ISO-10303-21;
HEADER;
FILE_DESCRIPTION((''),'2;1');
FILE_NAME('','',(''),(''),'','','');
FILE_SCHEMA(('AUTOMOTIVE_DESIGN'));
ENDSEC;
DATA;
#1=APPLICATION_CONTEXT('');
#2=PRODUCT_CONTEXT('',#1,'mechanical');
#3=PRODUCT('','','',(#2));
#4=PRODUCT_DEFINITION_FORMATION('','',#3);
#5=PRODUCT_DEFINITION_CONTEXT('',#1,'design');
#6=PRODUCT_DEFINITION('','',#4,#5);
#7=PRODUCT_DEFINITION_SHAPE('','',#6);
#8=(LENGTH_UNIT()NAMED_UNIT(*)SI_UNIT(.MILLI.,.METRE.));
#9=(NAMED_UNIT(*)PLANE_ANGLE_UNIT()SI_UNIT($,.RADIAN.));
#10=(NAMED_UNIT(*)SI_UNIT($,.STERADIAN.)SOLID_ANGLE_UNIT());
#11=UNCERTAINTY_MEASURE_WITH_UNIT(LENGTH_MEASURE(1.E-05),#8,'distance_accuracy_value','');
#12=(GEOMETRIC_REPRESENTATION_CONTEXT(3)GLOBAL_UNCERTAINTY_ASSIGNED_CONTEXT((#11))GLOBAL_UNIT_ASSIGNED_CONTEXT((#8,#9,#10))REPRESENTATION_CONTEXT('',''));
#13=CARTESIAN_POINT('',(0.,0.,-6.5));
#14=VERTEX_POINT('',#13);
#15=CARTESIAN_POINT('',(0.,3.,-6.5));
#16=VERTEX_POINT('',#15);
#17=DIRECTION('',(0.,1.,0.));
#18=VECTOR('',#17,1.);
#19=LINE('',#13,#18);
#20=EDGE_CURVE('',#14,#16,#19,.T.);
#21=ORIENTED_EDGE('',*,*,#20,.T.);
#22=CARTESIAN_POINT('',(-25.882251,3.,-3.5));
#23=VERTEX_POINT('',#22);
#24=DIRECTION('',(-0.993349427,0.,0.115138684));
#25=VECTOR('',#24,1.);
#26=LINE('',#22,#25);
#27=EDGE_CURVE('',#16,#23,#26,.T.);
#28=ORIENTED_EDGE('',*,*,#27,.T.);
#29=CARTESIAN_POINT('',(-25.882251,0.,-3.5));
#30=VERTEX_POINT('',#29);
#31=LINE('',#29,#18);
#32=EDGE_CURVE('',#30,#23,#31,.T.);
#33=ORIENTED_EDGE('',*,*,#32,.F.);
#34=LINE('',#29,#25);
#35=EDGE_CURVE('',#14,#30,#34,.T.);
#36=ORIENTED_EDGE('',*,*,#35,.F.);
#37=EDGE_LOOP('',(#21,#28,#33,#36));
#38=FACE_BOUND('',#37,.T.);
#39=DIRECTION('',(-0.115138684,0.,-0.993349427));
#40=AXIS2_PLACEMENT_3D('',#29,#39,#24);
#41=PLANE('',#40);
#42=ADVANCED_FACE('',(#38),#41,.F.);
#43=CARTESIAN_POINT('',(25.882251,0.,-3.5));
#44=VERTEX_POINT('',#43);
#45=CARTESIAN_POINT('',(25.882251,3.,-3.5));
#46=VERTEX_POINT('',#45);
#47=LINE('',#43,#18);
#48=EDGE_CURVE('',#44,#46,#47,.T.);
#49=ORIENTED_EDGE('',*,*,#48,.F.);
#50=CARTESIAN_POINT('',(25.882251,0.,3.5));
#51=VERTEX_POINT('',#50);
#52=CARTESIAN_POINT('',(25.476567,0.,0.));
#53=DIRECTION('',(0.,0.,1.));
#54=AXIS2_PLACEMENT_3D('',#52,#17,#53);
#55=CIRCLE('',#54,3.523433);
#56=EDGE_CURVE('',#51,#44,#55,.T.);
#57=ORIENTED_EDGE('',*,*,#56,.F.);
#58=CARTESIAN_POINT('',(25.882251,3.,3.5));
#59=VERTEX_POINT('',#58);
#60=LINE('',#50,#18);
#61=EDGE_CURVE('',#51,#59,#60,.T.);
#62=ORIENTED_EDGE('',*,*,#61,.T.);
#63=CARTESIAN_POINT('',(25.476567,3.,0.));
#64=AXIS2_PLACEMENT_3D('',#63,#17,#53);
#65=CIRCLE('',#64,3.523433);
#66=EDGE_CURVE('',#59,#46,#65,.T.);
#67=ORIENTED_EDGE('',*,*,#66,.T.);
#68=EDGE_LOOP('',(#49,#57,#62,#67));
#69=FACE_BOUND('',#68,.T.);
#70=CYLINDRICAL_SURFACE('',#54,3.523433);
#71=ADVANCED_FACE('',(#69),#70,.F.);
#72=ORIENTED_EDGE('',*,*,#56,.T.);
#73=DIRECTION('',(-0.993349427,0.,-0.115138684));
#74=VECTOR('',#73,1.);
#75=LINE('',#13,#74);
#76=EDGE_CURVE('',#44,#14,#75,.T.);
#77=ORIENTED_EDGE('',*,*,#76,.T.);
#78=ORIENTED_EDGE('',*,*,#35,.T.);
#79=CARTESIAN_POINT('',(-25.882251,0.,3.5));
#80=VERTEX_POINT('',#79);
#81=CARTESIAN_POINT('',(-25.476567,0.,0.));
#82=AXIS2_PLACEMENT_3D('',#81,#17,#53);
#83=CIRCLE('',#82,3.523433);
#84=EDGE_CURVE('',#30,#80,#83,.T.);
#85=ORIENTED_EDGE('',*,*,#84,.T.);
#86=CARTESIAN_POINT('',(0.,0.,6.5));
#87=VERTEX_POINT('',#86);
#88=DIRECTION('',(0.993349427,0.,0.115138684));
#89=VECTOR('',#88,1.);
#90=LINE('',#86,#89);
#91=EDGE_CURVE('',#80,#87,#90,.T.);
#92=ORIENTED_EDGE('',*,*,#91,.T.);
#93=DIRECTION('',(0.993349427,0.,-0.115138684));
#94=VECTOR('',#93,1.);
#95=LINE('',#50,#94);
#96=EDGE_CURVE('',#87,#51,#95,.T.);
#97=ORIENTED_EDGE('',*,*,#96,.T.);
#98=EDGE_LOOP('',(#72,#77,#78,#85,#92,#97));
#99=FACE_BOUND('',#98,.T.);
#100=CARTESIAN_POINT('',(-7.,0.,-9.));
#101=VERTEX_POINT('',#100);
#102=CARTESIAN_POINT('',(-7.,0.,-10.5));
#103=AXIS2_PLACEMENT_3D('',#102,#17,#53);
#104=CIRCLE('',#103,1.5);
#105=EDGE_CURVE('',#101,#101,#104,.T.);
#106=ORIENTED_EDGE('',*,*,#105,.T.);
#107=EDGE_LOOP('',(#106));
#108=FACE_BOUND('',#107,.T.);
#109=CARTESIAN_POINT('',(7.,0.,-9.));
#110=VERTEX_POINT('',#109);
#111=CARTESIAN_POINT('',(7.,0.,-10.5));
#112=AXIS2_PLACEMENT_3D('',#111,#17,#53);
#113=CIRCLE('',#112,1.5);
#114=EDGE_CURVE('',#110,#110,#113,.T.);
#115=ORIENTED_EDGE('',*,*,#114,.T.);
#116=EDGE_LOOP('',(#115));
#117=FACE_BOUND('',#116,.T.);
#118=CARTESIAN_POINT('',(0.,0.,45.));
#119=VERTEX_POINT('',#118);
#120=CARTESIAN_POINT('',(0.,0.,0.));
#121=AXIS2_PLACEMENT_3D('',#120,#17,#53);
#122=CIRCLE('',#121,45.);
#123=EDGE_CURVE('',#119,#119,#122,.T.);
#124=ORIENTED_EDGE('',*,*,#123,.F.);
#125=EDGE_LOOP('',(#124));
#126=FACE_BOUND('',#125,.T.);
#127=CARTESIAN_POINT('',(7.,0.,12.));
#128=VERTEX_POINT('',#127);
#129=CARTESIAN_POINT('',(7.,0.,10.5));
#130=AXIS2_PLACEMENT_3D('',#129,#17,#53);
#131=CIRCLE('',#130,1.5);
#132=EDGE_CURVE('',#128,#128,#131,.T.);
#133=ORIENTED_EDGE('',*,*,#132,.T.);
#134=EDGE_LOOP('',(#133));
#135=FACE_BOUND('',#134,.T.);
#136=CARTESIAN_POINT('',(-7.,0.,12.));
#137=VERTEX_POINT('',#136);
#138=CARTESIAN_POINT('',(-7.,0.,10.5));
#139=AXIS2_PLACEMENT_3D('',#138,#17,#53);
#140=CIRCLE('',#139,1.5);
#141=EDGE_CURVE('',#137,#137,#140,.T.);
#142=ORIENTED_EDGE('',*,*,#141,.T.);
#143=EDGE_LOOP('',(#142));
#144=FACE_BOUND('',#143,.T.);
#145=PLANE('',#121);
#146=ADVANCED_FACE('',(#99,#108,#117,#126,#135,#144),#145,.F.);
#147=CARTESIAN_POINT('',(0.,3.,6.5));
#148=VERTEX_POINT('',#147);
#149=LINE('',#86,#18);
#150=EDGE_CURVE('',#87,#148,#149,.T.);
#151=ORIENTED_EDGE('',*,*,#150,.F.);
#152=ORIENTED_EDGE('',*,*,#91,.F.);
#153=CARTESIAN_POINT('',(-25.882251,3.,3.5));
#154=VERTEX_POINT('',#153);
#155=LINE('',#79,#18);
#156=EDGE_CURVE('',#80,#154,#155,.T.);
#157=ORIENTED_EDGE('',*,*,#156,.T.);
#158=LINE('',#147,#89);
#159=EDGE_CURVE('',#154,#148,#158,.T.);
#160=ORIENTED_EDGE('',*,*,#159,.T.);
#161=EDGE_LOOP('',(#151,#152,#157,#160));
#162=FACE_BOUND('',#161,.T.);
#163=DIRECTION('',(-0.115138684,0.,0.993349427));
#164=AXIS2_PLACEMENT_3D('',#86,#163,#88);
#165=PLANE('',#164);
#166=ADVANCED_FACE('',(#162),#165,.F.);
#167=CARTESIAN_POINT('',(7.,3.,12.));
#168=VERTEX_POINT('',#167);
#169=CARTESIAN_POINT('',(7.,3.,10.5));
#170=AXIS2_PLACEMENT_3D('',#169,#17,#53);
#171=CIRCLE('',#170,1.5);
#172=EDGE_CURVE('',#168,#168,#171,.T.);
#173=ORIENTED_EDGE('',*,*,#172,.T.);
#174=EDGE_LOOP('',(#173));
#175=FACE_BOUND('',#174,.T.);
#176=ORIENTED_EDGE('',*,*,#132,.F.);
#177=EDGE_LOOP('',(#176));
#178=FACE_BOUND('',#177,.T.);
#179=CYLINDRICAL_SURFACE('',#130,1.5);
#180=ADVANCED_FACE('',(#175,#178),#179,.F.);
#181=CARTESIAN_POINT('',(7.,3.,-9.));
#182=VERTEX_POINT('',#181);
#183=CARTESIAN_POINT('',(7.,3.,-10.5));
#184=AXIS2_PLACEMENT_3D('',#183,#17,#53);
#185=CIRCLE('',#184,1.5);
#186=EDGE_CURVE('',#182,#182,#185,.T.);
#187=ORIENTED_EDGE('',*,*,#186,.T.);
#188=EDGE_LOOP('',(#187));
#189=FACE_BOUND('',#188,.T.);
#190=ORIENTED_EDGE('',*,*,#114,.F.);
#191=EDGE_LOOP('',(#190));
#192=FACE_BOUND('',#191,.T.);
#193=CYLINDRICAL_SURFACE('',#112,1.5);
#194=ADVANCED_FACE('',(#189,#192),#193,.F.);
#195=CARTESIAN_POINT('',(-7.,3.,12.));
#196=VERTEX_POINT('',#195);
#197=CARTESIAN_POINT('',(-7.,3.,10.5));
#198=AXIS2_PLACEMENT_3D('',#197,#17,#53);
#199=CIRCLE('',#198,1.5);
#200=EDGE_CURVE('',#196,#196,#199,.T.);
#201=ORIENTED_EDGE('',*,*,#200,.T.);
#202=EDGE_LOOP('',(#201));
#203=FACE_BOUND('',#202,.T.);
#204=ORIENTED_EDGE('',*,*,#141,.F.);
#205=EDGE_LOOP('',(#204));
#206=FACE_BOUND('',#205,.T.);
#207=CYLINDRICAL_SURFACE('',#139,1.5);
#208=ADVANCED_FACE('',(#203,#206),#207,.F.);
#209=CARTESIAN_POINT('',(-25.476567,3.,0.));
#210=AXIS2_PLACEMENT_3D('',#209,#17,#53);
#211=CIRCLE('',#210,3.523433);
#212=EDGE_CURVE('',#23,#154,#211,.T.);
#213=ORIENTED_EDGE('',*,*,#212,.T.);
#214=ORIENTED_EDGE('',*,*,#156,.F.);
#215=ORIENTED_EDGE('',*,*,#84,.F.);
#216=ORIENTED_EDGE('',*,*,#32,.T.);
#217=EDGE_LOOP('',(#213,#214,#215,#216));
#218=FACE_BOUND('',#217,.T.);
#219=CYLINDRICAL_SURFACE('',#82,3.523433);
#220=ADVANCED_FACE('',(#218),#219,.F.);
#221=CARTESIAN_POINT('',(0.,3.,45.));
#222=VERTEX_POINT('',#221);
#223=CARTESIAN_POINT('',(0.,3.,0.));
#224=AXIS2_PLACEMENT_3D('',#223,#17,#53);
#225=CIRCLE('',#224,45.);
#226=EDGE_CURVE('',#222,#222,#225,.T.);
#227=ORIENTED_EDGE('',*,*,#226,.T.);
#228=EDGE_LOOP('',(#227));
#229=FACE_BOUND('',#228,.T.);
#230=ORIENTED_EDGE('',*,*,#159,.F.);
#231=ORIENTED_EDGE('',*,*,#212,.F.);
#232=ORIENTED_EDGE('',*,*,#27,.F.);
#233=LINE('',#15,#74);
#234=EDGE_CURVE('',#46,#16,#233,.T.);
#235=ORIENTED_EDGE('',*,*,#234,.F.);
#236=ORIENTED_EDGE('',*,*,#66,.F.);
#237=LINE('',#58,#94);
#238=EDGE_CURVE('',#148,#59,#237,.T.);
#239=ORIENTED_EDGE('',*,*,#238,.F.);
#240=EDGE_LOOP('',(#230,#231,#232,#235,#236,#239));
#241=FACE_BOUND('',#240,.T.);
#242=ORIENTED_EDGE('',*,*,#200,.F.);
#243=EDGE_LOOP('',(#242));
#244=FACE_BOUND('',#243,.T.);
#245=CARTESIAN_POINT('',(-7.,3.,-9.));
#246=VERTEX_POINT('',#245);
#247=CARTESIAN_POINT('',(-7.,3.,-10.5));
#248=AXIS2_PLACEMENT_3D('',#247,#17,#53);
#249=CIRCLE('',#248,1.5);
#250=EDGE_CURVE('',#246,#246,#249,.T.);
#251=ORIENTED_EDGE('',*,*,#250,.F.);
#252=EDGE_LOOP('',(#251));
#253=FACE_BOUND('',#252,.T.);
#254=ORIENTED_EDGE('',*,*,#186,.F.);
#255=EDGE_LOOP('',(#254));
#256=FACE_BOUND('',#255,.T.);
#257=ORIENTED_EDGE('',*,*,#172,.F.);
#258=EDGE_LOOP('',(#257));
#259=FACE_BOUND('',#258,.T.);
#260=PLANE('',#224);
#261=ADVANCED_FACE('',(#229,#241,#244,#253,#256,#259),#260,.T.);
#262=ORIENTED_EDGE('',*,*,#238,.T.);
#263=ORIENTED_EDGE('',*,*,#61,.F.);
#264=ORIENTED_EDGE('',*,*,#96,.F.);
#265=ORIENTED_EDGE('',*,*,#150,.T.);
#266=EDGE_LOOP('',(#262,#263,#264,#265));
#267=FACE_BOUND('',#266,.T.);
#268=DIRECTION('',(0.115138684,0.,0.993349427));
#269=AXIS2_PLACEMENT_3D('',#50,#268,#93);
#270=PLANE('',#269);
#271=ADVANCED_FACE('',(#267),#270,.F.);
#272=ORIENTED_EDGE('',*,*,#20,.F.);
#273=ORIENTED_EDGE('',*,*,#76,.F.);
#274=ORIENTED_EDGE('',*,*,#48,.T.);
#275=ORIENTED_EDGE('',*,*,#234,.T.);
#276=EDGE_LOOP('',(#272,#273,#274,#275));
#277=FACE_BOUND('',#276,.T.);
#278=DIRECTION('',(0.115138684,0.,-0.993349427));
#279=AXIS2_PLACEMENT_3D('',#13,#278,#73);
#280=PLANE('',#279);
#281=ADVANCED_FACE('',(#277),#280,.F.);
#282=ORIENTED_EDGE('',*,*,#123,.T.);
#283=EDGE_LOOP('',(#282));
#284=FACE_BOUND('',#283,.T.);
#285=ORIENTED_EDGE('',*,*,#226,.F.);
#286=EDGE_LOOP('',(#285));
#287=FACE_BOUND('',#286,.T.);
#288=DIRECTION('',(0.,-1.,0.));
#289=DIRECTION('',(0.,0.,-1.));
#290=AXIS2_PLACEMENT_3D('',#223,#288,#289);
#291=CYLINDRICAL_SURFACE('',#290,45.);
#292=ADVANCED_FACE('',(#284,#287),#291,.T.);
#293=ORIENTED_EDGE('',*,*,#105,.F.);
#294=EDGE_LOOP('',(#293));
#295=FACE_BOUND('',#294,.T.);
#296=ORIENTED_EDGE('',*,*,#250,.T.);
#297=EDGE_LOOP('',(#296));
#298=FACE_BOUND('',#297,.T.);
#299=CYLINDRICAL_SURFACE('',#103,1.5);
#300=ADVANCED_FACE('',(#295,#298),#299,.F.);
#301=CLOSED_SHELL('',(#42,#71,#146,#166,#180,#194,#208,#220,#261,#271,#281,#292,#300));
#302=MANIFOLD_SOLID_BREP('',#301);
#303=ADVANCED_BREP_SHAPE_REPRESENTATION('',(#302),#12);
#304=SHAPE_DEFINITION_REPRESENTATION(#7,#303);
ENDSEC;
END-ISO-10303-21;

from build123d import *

# Parameters (mm, degrees)
SKETCH1_R           = 45
BOSS_EXTRUDE1_DEPTH = 3
CUT_EXTRUDE1_DEPTH  = 3
SKETCH4_R           = 1.5
CUT_EXTRUDE2_DEPTH  = 3


with BuildPart() as part:
    # Sketch1 → Boss-Extrude1 (new body)
    with BuildSketch(Plane(origin=(0, 0, 0), x_dir=(1, 0, 0), z_dir=(0, 1, 0))):
        with Locations(Location((0, 0, 0), (0, 0, 270))):
            Circle(SKETCH1_R)
    extrude(amount=BOSS_EXTRUDE1_DEPTH)

    # Sketch3 → Cut-Extrude1 (cut)
    with BuildSketch(Plane(origin=(0, 3, 0), x_dir=(1, 0, 0), z_dir=(0, 1, 0))):
        with BuildLine():
            Line((-25.882250574, 3.5), (0, 6.5))
            Line((0, 6.5), (25.882250574, 3.5))
            ThreePointArc((25.882250574, 3.5), (29, 0), (25.882250574, -3.5))
            Line((25.882250574, -3.5), (0, -6.5))
            Line((0, -6.5), (-25.882250574, -3.5))
            ThreePointArc((-25.882250574, -3.5), (-29, 0), (-25.882250574, 3.5))
        make_face()
    extrude(amount=-CUT_EXTRUDE1_DEPTH, mode=Mode.SUBTRACT)

    # Sketch4 → Cut-Extrude2 (cut)
    with BuildSketch(Plane(origin=(0, 3, 0), x_dir=(1, 0, 0), z_dir=(0, 1, 0))):
        with Locations(Location((-7, -10.5, 0), (0, 0, 270))):
            Circle(SKETCH4_R)
        with Locations(Location((7, -10.5, 0), (0, 0, 270))):
            Circle(SKETCH4_R)
        with Locations(Location((-7, 10.5, 0), (0, 0, 270))):
            Circle(SKETCH4_R)
        with Locations(Location((7, 10.5, 0), (0, 0, 270))):
            Circle(SKETCH4_R)
    extrude(amount=-CUT_EXTRUDE2_DEPTH, mode=Mode.SUBTRACT)


solid = part.part
